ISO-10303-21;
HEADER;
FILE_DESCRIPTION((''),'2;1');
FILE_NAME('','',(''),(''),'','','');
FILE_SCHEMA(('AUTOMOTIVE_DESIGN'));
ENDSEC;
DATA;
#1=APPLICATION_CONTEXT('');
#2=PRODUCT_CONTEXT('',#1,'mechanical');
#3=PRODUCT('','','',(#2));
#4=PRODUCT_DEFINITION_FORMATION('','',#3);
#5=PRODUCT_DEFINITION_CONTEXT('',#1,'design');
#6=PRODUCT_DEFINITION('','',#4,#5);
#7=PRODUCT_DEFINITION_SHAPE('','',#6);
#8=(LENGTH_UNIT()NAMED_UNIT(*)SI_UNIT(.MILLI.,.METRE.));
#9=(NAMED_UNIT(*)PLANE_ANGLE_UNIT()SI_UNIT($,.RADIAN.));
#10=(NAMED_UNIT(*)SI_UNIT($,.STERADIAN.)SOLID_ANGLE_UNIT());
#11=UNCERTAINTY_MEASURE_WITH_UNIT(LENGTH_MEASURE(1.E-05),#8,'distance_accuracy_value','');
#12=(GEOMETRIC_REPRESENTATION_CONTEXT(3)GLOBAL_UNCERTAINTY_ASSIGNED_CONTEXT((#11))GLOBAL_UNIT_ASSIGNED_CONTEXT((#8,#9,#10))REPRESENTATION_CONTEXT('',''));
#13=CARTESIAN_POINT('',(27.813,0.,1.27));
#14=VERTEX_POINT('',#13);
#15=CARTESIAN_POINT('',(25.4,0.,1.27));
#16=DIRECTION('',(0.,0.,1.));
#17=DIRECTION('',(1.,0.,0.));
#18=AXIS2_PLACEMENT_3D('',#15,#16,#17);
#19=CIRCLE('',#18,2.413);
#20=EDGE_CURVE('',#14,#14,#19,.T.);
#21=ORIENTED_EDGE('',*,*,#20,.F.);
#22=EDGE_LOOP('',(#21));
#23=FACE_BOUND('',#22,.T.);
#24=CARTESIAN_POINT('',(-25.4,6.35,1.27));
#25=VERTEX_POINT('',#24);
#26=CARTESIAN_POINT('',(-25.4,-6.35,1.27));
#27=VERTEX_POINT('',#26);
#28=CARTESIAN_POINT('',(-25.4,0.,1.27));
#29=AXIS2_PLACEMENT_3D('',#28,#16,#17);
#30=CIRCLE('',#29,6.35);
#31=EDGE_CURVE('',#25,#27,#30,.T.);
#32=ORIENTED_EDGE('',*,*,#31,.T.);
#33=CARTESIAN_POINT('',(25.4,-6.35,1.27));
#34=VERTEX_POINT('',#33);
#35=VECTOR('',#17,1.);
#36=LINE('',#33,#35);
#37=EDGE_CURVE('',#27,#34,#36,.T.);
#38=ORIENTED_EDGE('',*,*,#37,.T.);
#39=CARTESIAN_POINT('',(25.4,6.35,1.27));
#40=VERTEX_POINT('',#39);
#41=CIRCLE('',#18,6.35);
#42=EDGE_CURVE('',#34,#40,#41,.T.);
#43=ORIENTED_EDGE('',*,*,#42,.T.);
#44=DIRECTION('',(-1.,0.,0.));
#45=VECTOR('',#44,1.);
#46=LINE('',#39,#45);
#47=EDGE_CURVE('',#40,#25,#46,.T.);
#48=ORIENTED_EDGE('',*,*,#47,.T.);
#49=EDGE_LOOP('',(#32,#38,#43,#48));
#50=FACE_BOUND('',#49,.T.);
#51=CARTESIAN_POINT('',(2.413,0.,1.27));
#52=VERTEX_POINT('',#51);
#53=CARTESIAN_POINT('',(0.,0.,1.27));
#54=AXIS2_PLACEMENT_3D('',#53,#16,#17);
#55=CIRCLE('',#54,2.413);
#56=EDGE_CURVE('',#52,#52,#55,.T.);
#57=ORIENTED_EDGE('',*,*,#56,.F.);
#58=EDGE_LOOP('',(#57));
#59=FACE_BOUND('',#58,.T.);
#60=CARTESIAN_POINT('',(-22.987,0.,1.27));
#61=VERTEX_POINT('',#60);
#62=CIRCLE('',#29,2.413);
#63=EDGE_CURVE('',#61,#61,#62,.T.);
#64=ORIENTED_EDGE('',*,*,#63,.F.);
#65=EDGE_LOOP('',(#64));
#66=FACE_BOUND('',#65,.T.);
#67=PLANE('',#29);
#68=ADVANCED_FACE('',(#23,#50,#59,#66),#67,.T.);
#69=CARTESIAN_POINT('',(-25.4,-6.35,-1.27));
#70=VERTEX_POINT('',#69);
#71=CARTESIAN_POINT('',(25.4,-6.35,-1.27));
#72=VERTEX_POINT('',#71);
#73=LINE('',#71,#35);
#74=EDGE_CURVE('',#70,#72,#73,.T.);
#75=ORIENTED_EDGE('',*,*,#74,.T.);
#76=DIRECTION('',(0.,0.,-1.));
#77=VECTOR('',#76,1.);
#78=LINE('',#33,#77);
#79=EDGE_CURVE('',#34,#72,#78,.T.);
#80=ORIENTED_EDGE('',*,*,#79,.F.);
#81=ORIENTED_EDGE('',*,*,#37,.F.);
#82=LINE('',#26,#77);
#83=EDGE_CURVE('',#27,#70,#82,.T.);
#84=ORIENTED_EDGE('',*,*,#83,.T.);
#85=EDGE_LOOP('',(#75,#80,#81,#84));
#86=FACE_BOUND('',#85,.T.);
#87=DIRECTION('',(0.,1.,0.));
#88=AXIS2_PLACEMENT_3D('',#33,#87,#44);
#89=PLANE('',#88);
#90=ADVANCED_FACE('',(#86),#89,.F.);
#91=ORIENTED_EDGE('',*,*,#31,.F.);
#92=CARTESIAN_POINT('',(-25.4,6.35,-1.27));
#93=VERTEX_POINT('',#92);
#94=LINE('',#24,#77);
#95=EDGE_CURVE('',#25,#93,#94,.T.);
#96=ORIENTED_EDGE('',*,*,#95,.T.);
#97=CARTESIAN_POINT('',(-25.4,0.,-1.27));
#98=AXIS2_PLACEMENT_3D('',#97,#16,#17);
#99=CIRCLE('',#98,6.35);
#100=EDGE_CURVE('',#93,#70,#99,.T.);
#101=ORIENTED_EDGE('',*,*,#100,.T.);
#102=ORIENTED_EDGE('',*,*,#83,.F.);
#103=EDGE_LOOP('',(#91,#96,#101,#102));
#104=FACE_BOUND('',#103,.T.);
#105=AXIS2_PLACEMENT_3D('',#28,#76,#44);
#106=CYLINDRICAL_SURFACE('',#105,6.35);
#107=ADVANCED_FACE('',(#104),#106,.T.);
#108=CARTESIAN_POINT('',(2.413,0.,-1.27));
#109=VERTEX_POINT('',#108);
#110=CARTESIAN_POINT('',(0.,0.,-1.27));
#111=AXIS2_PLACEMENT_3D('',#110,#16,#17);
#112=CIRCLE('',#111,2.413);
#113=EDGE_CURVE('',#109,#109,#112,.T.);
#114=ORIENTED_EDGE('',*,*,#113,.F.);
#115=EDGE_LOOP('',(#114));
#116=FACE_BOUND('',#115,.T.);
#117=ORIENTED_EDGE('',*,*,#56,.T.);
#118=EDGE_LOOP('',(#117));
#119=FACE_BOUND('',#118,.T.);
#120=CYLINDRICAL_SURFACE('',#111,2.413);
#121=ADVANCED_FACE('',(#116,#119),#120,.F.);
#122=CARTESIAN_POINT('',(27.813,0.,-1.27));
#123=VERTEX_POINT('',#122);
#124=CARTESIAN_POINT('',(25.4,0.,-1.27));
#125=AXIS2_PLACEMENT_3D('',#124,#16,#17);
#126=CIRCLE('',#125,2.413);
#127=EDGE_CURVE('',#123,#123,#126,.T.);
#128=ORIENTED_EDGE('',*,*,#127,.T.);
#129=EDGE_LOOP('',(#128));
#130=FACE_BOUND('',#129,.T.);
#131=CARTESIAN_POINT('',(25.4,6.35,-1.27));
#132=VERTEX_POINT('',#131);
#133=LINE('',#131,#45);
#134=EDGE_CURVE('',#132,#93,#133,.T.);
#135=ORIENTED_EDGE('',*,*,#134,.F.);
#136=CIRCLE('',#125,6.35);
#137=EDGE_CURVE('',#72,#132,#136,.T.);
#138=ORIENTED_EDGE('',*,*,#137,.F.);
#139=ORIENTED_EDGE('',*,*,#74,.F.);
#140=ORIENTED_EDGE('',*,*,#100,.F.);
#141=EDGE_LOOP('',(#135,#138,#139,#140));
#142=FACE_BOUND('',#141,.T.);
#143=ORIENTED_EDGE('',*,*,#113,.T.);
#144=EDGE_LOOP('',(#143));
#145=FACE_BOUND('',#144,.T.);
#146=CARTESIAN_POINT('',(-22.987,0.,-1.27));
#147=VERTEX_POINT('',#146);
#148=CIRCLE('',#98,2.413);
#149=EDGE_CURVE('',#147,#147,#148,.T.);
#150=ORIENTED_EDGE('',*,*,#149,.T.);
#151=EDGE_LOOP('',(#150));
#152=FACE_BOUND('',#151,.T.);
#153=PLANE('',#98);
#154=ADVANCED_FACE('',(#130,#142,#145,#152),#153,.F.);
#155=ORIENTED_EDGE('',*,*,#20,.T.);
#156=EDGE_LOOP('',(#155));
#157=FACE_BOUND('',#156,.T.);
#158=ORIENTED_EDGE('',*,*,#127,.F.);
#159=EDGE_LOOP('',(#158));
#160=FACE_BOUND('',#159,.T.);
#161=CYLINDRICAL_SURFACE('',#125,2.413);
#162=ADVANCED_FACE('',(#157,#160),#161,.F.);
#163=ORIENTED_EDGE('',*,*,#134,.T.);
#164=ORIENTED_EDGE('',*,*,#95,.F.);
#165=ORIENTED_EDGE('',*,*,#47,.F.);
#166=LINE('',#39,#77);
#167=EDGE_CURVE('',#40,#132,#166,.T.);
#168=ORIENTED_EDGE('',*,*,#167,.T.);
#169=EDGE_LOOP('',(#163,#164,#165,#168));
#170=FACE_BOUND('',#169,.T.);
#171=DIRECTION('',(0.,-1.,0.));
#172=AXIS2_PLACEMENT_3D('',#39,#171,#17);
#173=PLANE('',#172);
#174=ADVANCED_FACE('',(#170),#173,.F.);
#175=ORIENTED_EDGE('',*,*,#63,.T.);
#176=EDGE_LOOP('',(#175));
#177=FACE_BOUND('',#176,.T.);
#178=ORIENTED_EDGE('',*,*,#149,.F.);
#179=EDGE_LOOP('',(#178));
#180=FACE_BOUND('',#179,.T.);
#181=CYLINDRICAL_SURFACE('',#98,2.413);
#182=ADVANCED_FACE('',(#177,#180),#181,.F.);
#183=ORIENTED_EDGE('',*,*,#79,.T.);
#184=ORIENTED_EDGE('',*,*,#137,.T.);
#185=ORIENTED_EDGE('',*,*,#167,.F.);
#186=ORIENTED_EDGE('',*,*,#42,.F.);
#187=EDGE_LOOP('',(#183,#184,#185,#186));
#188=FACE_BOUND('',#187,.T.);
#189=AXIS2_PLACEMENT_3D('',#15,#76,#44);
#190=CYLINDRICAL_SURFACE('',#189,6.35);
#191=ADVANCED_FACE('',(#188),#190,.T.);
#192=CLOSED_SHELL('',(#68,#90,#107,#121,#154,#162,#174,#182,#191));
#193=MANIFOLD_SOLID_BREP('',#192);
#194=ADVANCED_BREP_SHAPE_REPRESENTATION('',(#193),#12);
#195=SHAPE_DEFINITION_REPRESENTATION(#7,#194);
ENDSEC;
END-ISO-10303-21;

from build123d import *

# Parameters (mm, degrees)
SALIENTE_EXTRUIR1_DEPTH = 1.27
CROQUIS2_R              = 2.413
CORTAR_EXTRUIR1_DEPTH   = 33.478248105
MATRIZL1_COUNT          = 3
MATRIZL1_PITCH          = 25.4


with BuildPart() as part:
    # Croquis1 → Saliente-Extruir1 (new, symmetric)
    with BuildSketch(Plane.XY):
        with BuildLine():
            Line((25.4, -6.35), (-25.4, -6.35))
            ThreePointArc((-25.4, -6.35), (-31.75, 0), (-25.4, 6.35))
            Line((-25.4, 6.35), (25.4, 6.35))
            ThreePointArc((25.4, 6.35), (31.75, 0), (25.4, -6.35))
        make_face()
    extrude(amount=SALIENTE_EXTRUIR1_DEPTH, both=True)

    # Croquis2 → Cortar-Extruir1 (cut, through all)
    with BuildSketch(Plane.XY.offset(1.27)):
        with Locations((-25.4, 0)):
            Circle(CROQUIS2_R)
    cortar_extruir1 = extrude(amount=-CORTAR_EXTRUIR1_DEPTH, mode=Mode.SUBTRACT)

    # MatrizL1: Cortar-Extruir1 ×3
    with Locations(*[(i * MATRIZL1_PITCH, 0, 0) for i in range(1, MATRIZL1_COUNT)]):
        add(cortar_extruir1, mode=Mode.SUBTRACT)


solid = part.part
